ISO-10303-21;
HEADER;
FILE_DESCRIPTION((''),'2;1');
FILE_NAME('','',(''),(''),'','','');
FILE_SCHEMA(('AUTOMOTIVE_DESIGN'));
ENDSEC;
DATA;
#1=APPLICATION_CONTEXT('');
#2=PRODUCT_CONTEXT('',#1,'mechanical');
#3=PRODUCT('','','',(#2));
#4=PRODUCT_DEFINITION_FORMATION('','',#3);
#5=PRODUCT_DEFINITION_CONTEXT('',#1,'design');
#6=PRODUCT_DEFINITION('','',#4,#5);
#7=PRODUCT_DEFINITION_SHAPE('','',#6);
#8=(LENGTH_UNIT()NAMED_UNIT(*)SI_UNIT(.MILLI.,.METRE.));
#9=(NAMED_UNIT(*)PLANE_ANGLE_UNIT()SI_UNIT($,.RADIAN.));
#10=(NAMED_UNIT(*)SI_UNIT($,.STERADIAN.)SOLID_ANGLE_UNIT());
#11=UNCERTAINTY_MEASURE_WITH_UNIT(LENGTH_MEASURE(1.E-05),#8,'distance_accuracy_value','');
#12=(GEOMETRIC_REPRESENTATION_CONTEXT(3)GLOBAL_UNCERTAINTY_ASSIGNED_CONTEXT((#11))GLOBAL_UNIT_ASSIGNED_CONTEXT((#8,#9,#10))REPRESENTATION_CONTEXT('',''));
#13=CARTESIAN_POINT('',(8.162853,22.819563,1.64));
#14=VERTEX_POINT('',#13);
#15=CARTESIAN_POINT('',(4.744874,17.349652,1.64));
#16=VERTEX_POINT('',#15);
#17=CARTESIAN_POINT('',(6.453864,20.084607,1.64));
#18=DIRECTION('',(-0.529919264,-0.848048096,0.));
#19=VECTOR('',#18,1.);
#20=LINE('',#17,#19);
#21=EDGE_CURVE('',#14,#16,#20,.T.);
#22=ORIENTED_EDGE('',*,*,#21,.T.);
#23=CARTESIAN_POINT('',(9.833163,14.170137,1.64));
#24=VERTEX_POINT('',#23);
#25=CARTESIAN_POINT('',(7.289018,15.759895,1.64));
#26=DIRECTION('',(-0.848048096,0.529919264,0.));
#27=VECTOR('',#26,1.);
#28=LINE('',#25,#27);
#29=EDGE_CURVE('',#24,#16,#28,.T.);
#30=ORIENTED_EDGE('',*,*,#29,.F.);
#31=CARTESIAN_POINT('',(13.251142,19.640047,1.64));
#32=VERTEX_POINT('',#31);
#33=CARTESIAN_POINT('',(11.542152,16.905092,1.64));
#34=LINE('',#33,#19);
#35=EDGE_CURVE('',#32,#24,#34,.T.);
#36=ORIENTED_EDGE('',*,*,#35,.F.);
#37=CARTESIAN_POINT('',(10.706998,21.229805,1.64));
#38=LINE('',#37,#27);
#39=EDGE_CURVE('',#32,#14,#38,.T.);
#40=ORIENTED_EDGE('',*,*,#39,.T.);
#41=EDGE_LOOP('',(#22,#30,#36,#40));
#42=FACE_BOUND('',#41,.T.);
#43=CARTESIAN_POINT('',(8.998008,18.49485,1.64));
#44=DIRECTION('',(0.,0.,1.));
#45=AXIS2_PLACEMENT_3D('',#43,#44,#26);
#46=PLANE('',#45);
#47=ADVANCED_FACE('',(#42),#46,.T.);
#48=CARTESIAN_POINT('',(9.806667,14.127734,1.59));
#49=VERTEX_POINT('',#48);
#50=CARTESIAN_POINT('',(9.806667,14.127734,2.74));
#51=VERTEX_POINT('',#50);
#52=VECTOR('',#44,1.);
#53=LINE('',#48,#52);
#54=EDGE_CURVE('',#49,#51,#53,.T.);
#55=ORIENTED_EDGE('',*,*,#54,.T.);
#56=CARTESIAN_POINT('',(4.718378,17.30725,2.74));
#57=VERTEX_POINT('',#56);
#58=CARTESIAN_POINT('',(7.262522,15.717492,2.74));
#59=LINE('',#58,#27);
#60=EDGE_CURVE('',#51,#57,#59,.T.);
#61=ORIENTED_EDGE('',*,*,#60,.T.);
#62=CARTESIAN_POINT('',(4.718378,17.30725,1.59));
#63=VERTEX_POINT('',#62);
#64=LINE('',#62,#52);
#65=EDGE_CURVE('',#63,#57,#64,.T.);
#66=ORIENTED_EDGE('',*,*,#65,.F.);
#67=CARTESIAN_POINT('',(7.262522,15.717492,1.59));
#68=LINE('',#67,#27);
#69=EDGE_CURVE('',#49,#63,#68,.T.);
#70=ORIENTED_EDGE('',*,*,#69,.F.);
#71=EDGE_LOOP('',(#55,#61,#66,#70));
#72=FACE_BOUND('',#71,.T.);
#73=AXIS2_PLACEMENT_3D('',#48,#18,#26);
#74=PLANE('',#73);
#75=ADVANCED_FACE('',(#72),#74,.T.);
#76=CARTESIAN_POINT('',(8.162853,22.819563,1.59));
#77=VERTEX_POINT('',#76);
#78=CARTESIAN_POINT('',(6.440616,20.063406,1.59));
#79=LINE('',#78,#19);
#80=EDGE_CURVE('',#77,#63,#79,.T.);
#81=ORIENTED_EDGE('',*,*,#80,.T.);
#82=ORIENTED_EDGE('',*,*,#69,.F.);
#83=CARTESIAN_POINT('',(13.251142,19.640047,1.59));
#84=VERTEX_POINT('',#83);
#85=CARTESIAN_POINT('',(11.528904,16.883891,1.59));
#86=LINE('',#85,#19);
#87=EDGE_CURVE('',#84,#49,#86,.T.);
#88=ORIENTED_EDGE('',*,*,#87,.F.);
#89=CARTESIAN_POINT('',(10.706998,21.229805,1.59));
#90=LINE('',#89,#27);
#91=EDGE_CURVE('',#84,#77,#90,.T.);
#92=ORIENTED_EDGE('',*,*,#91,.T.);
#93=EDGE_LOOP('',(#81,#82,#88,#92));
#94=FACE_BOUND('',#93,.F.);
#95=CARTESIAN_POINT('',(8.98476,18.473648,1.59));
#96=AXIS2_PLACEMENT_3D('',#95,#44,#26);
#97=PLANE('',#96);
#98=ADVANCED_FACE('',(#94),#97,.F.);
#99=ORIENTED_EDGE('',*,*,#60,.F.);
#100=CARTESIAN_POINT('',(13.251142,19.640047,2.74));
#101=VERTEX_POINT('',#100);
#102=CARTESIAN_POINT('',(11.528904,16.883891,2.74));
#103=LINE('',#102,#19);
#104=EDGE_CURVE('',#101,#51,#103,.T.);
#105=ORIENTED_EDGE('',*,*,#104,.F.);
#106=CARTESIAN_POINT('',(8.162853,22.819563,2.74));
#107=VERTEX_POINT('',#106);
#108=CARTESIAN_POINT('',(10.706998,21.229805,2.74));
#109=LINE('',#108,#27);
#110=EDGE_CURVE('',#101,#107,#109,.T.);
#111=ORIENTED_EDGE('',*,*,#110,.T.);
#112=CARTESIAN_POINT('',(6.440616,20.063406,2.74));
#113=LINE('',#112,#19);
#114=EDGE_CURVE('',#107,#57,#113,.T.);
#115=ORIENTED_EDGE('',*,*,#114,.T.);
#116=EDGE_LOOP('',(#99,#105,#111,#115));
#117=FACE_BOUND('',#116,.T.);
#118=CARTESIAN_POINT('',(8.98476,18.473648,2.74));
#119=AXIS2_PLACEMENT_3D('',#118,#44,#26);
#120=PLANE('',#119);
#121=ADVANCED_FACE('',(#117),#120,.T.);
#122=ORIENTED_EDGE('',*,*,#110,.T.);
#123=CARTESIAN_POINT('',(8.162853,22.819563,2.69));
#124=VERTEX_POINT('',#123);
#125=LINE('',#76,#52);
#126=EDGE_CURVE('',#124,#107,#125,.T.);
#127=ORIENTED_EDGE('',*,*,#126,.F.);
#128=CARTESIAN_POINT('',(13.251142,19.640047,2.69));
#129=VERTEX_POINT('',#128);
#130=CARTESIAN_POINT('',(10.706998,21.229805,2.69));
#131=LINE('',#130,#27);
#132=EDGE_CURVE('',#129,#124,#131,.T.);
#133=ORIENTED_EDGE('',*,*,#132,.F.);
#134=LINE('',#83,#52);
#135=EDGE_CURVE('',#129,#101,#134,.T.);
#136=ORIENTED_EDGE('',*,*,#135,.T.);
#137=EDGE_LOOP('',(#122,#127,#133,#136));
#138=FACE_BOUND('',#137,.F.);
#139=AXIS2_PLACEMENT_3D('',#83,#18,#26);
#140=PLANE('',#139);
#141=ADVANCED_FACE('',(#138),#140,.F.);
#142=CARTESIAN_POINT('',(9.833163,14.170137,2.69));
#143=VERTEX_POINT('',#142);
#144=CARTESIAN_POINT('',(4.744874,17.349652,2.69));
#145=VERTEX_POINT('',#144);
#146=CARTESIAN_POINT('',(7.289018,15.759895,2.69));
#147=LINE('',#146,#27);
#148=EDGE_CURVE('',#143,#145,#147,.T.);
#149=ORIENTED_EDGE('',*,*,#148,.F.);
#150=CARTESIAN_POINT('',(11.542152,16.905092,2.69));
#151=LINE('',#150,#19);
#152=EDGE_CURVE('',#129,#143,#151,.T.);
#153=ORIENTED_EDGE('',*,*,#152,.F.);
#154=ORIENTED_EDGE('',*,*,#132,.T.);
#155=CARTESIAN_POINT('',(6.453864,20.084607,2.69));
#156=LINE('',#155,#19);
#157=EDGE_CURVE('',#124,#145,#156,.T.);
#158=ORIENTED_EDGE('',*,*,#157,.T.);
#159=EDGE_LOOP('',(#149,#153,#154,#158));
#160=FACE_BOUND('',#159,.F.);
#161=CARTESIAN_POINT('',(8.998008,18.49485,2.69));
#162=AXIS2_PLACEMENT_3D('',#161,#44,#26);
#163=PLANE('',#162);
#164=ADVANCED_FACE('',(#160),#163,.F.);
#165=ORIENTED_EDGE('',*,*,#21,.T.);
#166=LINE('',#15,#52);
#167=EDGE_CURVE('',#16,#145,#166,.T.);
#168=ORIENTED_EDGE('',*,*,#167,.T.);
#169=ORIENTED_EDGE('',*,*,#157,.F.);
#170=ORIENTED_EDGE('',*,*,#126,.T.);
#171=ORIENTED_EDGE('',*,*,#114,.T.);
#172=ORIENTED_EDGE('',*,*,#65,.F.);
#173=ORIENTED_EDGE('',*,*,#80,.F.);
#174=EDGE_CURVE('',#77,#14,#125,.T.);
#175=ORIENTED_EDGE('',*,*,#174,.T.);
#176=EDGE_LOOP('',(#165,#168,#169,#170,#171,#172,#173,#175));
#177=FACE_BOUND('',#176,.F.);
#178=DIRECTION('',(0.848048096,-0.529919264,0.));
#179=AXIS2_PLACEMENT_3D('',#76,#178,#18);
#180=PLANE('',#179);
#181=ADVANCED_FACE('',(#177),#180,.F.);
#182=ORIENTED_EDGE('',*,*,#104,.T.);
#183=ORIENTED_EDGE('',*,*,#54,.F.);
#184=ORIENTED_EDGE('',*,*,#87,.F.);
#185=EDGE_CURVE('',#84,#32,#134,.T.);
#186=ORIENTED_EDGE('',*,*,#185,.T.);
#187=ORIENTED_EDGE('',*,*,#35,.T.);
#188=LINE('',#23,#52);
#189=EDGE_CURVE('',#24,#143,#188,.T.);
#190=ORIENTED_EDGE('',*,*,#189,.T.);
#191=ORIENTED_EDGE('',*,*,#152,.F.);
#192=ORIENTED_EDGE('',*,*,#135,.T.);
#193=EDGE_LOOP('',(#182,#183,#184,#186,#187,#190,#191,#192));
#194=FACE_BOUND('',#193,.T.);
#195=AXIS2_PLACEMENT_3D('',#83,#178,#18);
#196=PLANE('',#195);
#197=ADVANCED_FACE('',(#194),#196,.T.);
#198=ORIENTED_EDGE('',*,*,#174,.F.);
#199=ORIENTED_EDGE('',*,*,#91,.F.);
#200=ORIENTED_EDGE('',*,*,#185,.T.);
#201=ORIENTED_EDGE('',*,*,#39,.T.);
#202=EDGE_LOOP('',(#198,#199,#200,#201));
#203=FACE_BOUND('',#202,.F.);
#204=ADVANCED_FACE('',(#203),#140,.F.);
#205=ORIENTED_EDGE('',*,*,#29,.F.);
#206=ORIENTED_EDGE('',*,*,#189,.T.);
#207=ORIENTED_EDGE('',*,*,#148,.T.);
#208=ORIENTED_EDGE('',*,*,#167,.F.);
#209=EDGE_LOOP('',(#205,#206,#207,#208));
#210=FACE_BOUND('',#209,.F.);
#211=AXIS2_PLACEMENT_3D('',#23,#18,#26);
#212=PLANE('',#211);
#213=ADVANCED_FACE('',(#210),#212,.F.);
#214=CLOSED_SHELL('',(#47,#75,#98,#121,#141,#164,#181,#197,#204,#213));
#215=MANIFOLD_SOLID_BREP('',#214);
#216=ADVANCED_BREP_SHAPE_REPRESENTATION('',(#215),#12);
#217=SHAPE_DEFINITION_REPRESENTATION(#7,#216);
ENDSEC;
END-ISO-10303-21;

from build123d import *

# Parameters (mm, degrees)
BOX184_W               = 6
BOX184_H               = 6.45
BOX184_DEPTH           = 1.05
BOX183_W               = 6
BOX183_H               = 6.5
BOX183_DEPTH           = 1.15
CUT092_PLACEMENT_ANGLE = 148


with BuildPart() as small_cu_gnd_electrode076:
    # Box184 → Box184 (new body)
    with BuildSketch(Plane.XY.offset(0.05)):
        with Locations((3, 3.225)):
            Rectangle(BOX184_W, BOX184_H)
    extrude(amount=BOX184_DEPTH)


with BuildPart() as small_cu_electrode_short_axis_gnd009:
    # Box183 → Box183 (new body)
    with BuildSketch(Plane.XY):
        with Locations((3, 3.25)):
            Rectangle(BOX183_W, BOX183_H)
    extrude(amount=BOX183_DEPTH)

    # Cut092: cut Small Cu GND Electrode076
    add(small_cu_gnd_electrode076.part, mode=Mode.SUBTRACT)


with BuildPart() as small_cu_electrode_short_axis_gnd009_1:
    # Cut092 placement: moved
    add(small_cu_electrode_short_axis_gnd009.part.moved(Location((13.251142, 19.640047, 1.59))).rotate(Axis((13.251142, 19.640047, 1.59), (0, 0, 1)), CUT092_PLACEMENT_ANGLE))


solid = small_cu_electrode_short_axis_gnd009_1.part
